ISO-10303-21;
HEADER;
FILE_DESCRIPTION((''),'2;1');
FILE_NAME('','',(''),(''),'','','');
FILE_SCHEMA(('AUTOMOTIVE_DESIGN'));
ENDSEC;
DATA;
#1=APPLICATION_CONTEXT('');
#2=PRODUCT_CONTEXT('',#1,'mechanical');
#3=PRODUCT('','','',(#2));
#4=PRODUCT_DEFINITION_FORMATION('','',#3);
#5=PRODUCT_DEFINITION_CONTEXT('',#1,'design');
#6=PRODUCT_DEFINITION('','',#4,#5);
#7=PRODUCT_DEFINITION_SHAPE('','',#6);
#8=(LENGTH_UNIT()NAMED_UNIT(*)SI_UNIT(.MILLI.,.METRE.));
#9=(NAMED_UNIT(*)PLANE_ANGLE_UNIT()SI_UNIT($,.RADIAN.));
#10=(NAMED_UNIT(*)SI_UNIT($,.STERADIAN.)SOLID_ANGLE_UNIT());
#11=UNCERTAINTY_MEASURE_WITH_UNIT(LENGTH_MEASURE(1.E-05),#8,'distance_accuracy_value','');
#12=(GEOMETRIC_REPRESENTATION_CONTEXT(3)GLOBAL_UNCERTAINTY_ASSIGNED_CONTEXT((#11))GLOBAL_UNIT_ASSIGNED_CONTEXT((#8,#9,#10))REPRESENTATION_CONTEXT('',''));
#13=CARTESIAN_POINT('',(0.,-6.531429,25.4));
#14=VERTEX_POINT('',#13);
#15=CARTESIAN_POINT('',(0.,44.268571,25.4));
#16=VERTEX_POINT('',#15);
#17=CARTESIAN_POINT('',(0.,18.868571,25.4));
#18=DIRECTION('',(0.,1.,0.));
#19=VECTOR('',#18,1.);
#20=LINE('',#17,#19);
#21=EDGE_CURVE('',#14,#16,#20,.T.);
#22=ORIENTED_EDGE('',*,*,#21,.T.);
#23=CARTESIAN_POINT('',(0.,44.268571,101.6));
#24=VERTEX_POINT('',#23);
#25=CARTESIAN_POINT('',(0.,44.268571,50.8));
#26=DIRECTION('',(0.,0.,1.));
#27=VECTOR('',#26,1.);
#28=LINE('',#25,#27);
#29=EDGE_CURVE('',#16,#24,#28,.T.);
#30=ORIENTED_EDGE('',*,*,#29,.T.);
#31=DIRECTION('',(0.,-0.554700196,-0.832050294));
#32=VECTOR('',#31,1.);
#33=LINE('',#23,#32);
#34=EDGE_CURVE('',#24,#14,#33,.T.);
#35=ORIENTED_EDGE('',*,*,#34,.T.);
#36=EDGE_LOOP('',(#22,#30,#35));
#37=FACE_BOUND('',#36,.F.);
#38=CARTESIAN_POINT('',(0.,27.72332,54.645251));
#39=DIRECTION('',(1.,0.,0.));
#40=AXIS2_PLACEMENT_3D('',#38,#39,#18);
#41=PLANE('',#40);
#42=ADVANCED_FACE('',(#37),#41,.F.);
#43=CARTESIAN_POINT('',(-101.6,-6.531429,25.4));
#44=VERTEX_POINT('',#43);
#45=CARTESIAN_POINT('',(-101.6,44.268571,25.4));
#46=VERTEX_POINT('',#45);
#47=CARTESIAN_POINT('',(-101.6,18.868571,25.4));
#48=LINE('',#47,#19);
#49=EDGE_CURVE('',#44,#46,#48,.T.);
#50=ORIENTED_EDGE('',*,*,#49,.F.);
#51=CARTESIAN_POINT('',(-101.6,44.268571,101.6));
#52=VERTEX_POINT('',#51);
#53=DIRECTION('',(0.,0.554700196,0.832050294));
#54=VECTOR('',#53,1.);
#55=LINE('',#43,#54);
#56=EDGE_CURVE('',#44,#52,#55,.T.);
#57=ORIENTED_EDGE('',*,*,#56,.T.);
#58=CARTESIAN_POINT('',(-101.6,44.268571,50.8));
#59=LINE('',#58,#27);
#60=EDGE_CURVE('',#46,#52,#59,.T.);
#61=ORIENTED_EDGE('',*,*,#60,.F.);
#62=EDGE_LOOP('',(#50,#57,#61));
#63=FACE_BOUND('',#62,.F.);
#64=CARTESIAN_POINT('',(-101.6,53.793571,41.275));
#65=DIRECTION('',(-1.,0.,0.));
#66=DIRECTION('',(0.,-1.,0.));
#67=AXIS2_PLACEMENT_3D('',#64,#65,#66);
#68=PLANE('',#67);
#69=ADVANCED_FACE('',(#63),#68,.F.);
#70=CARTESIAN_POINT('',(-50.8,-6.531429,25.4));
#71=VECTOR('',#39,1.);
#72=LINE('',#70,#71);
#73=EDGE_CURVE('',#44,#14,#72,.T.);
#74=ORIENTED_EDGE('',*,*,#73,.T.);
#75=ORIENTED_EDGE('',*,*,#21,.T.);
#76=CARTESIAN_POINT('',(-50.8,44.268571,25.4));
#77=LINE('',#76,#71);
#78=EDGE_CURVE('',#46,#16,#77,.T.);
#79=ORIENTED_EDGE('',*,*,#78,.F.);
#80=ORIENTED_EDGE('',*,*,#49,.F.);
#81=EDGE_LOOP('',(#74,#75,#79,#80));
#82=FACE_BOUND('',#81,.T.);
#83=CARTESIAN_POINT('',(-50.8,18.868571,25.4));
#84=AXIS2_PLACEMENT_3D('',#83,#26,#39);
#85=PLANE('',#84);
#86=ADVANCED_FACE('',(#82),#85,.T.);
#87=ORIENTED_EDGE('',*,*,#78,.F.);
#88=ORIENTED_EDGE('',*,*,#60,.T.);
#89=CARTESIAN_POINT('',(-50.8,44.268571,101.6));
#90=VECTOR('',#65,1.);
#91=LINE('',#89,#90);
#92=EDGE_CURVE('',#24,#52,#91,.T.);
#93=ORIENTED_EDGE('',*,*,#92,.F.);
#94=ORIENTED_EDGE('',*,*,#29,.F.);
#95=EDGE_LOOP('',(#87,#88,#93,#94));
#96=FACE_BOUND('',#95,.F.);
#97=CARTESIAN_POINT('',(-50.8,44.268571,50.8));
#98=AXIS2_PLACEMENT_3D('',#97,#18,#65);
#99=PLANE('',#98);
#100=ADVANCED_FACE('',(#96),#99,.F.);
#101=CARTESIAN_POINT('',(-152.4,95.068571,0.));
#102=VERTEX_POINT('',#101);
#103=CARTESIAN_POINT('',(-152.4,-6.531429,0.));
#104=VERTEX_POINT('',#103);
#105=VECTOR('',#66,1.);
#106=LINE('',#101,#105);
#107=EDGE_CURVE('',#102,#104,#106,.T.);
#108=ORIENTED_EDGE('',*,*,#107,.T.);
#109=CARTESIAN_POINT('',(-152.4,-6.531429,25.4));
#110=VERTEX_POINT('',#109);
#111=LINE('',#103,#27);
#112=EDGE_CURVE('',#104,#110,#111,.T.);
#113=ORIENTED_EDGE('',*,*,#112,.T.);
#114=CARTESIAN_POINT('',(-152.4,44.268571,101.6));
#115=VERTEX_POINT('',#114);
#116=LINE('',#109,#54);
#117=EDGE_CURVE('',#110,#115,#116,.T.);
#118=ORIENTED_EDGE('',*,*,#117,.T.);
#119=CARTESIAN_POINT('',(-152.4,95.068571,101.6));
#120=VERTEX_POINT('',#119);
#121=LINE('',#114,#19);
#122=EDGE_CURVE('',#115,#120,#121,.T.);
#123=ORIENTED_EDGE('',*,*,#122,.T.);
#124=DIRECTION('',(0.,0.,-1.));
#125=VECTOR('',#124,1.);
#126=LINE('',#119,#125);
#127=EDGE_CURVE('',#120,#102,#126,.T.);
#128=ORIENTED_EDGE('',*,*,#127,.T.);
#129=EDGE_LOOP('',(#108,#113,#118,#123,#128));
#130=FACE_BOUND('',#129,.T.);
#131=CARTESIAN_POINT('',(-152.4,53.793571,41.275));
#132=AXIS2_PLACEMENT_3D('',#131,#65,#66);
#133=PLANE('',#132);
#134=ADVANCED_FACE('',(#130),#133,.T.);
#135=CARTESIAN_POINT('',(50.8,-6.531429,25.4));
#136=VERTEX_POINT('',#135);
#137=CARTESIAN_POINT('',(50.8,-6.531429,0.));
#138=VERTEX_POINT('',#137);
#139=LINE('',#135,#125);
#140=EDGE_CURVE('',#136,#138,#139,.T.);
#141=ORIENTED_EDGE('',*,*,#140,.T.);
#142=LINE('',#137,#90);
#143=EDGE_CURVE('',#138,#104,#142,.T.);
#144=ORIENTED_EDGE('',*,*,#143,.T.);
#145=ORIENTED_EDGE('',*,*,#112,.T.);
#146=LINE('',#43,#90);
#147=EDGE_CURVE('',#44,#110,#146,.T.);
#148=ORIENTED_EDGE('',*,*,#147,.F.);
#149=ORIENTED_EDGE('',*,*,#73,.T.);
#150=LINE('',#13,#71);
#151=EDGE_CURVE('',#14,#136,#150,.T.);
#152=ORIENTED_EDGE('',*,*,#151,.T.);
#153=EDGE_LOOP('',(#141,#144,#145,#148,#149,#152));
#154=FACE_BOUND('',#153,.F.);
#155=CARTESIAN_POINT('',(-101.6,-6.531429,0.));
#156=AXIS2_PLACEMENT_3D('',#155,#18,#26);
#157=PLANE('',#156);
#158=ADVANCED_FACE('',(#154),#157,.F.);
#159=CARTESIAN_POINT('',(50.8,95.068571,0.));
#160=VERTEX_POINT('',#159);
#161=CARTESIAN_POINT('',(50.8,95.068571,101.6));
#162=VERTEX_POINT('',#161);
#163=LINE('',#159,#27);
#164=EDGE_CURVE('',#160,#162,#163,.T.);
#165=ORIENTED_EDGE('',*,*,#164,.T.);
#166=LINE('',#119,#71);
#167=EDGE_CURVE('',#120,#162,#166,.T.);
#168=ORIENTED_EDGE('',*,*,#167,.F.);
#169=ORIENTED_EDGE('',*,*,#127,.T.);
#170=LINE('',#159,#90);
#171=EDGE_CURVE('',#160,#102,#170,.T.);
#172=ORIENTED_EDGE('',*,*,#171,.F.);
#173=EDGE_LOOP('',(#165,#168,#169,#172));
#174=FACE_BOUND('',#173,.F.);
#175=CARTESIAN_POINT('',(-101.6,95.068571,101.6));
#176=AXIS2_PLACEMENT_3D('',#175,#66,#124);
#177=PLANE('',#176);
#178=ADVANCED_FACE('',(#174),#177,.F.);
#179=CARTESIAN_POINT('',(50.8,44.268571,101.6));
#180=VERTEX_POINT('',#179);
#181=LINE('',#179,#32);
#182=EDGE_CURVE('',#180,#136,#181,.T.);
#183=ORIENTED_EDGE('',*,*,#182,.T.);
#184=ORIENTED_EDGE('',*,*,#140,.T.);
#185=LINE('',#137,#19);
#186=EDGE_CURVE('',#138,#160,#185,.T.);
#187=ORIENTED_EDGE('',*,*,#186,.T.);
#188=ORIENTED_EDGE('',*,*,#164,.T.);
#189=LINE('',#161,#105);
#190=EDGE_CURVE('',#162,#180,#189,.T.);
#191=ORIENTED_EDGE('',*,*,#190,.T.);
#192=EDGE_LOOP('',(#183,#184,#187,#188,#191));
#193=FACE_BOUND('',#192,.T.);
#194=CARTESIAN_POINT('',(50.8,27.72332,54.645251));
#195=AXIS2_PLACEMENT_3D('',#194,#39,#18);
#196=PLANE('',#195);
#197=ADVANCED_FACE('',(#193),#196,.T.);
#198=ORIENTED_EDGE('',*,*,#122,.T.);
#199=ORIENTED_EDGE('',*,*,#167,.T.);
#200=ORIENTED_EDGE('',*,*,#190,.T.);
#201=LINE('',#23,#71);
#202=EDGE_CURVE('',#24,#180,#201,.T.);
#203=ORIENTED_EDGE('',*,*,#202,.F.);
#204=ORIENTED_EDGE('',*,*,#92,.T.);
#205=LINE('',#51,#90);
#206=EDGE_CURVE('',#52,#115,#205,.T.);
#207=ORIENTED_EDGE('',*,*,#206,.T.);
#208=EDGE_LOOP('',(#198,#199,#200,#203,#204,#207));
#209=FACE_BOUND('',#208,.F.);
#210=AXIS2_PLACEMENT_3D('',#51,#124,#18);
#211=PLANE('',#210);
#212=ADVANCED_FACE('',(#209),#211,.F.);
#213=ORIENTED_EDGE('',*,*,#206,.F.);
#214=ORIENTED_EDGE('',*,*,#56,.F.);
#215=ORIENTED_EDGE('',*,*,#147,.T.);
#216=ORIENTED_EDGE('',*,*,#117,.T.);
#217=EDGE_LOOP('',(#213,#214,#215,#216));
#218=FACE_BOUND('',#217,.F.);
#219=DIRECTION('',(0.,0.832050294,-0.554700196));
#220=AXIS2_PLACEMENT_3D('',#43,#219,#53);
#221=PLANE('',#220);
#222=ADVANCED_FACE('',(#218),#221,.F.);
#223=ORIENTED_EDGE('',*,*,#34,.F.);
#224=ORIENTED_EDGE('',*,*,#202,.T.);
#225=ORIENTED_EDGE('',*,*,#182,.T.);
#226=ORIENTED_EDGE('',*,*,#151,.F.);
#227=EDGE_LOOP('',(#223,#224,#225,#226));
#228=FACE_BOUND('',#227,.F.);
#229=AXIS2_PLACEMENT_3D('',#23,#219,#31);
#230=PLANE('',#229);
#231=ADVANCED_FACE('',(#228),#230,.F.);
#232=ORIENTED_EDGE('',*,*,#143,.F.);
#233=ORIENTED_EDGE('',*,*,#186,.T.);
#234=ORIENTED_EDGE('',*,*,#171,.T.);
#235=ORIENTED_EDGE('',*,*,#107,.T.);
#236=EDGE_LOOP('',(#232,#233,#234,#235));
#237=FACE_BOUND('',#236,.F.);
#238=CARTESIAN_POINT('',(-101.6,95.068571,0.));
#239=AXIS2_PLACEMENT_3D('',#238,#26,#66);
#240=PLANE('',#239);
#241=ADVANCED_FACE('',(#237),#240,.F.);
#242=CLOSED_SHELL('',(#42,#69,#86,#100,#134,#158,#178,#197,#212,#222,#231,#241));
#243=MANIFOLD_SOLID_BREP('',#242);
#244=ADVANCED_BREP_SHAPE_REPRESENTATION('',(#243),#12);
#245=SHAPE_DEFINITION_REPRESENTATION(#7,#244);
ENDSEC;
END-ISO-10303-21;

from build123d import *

# Parameters (mm, degrees)
F0_W     = 101.6
F0_H     = 50.8
F1_DEPTH = 25.4
F2_W     = 101.6
F2_H     = 101.6
F3_DEPTH = 50.8
F5_DEPTH = 50.8
F7_DEPTH = 50.8


with BuildPart() as f1:
    # F0 (on Top) → F1 (new body)
    with BuildSketch(Plane.XY):
        with Locations((-50.8, 18.868571)):
            Rectangle(F0_W, F0_H)
    extrude(amount=F1_DEPTH)

    # F2 (on face) → F3 (join)
    with BuildSketch(Plane(origin=(0, 44.268571, 0), x_dir=(-1, 0, 0), z_dir=(0, 1, 0))):
        with Locations((50.8, 50.8)):
            Rectangle(F2_W, F2_H)
    extrude(amount=F3_DEPTH)

    # F4 (on face) → F5 (join)
    with BuildSketch(Plane.YZ):
        Polygon((44.268571, 101.6), (-6.531429, 25.4), (44.268571, 25.4), align=None)
        Polygon((-6.531429, 0), (95.068571, 0), (95.068571, 101.6), (44.268571, 101.6), (44.268571, 25.4), (-6.531429, 25.4), align=None)
    extrude(amount=F5_DEPTH)

    # F6 (on face) → F7 (join)
    with BuildSketch(Plane(origin=(-101.6, 0, 0), x_dir=(0, -1, 0), z_dir=(-1, 0, 0))):
        Polygon((-95.068571, 101.6), (-95.068571, 0), (6.531429, 0), (6.531429, 25.4), (-44.268571, 25.4), (-44.268571, 101.6), align=None)
        Polygon((-44.268571, 25.4), (6.531429, 25.4), (-44.268571, 101.6), align=None)
    extrude(amount=F7_DEPTH)


solid = f1.part
